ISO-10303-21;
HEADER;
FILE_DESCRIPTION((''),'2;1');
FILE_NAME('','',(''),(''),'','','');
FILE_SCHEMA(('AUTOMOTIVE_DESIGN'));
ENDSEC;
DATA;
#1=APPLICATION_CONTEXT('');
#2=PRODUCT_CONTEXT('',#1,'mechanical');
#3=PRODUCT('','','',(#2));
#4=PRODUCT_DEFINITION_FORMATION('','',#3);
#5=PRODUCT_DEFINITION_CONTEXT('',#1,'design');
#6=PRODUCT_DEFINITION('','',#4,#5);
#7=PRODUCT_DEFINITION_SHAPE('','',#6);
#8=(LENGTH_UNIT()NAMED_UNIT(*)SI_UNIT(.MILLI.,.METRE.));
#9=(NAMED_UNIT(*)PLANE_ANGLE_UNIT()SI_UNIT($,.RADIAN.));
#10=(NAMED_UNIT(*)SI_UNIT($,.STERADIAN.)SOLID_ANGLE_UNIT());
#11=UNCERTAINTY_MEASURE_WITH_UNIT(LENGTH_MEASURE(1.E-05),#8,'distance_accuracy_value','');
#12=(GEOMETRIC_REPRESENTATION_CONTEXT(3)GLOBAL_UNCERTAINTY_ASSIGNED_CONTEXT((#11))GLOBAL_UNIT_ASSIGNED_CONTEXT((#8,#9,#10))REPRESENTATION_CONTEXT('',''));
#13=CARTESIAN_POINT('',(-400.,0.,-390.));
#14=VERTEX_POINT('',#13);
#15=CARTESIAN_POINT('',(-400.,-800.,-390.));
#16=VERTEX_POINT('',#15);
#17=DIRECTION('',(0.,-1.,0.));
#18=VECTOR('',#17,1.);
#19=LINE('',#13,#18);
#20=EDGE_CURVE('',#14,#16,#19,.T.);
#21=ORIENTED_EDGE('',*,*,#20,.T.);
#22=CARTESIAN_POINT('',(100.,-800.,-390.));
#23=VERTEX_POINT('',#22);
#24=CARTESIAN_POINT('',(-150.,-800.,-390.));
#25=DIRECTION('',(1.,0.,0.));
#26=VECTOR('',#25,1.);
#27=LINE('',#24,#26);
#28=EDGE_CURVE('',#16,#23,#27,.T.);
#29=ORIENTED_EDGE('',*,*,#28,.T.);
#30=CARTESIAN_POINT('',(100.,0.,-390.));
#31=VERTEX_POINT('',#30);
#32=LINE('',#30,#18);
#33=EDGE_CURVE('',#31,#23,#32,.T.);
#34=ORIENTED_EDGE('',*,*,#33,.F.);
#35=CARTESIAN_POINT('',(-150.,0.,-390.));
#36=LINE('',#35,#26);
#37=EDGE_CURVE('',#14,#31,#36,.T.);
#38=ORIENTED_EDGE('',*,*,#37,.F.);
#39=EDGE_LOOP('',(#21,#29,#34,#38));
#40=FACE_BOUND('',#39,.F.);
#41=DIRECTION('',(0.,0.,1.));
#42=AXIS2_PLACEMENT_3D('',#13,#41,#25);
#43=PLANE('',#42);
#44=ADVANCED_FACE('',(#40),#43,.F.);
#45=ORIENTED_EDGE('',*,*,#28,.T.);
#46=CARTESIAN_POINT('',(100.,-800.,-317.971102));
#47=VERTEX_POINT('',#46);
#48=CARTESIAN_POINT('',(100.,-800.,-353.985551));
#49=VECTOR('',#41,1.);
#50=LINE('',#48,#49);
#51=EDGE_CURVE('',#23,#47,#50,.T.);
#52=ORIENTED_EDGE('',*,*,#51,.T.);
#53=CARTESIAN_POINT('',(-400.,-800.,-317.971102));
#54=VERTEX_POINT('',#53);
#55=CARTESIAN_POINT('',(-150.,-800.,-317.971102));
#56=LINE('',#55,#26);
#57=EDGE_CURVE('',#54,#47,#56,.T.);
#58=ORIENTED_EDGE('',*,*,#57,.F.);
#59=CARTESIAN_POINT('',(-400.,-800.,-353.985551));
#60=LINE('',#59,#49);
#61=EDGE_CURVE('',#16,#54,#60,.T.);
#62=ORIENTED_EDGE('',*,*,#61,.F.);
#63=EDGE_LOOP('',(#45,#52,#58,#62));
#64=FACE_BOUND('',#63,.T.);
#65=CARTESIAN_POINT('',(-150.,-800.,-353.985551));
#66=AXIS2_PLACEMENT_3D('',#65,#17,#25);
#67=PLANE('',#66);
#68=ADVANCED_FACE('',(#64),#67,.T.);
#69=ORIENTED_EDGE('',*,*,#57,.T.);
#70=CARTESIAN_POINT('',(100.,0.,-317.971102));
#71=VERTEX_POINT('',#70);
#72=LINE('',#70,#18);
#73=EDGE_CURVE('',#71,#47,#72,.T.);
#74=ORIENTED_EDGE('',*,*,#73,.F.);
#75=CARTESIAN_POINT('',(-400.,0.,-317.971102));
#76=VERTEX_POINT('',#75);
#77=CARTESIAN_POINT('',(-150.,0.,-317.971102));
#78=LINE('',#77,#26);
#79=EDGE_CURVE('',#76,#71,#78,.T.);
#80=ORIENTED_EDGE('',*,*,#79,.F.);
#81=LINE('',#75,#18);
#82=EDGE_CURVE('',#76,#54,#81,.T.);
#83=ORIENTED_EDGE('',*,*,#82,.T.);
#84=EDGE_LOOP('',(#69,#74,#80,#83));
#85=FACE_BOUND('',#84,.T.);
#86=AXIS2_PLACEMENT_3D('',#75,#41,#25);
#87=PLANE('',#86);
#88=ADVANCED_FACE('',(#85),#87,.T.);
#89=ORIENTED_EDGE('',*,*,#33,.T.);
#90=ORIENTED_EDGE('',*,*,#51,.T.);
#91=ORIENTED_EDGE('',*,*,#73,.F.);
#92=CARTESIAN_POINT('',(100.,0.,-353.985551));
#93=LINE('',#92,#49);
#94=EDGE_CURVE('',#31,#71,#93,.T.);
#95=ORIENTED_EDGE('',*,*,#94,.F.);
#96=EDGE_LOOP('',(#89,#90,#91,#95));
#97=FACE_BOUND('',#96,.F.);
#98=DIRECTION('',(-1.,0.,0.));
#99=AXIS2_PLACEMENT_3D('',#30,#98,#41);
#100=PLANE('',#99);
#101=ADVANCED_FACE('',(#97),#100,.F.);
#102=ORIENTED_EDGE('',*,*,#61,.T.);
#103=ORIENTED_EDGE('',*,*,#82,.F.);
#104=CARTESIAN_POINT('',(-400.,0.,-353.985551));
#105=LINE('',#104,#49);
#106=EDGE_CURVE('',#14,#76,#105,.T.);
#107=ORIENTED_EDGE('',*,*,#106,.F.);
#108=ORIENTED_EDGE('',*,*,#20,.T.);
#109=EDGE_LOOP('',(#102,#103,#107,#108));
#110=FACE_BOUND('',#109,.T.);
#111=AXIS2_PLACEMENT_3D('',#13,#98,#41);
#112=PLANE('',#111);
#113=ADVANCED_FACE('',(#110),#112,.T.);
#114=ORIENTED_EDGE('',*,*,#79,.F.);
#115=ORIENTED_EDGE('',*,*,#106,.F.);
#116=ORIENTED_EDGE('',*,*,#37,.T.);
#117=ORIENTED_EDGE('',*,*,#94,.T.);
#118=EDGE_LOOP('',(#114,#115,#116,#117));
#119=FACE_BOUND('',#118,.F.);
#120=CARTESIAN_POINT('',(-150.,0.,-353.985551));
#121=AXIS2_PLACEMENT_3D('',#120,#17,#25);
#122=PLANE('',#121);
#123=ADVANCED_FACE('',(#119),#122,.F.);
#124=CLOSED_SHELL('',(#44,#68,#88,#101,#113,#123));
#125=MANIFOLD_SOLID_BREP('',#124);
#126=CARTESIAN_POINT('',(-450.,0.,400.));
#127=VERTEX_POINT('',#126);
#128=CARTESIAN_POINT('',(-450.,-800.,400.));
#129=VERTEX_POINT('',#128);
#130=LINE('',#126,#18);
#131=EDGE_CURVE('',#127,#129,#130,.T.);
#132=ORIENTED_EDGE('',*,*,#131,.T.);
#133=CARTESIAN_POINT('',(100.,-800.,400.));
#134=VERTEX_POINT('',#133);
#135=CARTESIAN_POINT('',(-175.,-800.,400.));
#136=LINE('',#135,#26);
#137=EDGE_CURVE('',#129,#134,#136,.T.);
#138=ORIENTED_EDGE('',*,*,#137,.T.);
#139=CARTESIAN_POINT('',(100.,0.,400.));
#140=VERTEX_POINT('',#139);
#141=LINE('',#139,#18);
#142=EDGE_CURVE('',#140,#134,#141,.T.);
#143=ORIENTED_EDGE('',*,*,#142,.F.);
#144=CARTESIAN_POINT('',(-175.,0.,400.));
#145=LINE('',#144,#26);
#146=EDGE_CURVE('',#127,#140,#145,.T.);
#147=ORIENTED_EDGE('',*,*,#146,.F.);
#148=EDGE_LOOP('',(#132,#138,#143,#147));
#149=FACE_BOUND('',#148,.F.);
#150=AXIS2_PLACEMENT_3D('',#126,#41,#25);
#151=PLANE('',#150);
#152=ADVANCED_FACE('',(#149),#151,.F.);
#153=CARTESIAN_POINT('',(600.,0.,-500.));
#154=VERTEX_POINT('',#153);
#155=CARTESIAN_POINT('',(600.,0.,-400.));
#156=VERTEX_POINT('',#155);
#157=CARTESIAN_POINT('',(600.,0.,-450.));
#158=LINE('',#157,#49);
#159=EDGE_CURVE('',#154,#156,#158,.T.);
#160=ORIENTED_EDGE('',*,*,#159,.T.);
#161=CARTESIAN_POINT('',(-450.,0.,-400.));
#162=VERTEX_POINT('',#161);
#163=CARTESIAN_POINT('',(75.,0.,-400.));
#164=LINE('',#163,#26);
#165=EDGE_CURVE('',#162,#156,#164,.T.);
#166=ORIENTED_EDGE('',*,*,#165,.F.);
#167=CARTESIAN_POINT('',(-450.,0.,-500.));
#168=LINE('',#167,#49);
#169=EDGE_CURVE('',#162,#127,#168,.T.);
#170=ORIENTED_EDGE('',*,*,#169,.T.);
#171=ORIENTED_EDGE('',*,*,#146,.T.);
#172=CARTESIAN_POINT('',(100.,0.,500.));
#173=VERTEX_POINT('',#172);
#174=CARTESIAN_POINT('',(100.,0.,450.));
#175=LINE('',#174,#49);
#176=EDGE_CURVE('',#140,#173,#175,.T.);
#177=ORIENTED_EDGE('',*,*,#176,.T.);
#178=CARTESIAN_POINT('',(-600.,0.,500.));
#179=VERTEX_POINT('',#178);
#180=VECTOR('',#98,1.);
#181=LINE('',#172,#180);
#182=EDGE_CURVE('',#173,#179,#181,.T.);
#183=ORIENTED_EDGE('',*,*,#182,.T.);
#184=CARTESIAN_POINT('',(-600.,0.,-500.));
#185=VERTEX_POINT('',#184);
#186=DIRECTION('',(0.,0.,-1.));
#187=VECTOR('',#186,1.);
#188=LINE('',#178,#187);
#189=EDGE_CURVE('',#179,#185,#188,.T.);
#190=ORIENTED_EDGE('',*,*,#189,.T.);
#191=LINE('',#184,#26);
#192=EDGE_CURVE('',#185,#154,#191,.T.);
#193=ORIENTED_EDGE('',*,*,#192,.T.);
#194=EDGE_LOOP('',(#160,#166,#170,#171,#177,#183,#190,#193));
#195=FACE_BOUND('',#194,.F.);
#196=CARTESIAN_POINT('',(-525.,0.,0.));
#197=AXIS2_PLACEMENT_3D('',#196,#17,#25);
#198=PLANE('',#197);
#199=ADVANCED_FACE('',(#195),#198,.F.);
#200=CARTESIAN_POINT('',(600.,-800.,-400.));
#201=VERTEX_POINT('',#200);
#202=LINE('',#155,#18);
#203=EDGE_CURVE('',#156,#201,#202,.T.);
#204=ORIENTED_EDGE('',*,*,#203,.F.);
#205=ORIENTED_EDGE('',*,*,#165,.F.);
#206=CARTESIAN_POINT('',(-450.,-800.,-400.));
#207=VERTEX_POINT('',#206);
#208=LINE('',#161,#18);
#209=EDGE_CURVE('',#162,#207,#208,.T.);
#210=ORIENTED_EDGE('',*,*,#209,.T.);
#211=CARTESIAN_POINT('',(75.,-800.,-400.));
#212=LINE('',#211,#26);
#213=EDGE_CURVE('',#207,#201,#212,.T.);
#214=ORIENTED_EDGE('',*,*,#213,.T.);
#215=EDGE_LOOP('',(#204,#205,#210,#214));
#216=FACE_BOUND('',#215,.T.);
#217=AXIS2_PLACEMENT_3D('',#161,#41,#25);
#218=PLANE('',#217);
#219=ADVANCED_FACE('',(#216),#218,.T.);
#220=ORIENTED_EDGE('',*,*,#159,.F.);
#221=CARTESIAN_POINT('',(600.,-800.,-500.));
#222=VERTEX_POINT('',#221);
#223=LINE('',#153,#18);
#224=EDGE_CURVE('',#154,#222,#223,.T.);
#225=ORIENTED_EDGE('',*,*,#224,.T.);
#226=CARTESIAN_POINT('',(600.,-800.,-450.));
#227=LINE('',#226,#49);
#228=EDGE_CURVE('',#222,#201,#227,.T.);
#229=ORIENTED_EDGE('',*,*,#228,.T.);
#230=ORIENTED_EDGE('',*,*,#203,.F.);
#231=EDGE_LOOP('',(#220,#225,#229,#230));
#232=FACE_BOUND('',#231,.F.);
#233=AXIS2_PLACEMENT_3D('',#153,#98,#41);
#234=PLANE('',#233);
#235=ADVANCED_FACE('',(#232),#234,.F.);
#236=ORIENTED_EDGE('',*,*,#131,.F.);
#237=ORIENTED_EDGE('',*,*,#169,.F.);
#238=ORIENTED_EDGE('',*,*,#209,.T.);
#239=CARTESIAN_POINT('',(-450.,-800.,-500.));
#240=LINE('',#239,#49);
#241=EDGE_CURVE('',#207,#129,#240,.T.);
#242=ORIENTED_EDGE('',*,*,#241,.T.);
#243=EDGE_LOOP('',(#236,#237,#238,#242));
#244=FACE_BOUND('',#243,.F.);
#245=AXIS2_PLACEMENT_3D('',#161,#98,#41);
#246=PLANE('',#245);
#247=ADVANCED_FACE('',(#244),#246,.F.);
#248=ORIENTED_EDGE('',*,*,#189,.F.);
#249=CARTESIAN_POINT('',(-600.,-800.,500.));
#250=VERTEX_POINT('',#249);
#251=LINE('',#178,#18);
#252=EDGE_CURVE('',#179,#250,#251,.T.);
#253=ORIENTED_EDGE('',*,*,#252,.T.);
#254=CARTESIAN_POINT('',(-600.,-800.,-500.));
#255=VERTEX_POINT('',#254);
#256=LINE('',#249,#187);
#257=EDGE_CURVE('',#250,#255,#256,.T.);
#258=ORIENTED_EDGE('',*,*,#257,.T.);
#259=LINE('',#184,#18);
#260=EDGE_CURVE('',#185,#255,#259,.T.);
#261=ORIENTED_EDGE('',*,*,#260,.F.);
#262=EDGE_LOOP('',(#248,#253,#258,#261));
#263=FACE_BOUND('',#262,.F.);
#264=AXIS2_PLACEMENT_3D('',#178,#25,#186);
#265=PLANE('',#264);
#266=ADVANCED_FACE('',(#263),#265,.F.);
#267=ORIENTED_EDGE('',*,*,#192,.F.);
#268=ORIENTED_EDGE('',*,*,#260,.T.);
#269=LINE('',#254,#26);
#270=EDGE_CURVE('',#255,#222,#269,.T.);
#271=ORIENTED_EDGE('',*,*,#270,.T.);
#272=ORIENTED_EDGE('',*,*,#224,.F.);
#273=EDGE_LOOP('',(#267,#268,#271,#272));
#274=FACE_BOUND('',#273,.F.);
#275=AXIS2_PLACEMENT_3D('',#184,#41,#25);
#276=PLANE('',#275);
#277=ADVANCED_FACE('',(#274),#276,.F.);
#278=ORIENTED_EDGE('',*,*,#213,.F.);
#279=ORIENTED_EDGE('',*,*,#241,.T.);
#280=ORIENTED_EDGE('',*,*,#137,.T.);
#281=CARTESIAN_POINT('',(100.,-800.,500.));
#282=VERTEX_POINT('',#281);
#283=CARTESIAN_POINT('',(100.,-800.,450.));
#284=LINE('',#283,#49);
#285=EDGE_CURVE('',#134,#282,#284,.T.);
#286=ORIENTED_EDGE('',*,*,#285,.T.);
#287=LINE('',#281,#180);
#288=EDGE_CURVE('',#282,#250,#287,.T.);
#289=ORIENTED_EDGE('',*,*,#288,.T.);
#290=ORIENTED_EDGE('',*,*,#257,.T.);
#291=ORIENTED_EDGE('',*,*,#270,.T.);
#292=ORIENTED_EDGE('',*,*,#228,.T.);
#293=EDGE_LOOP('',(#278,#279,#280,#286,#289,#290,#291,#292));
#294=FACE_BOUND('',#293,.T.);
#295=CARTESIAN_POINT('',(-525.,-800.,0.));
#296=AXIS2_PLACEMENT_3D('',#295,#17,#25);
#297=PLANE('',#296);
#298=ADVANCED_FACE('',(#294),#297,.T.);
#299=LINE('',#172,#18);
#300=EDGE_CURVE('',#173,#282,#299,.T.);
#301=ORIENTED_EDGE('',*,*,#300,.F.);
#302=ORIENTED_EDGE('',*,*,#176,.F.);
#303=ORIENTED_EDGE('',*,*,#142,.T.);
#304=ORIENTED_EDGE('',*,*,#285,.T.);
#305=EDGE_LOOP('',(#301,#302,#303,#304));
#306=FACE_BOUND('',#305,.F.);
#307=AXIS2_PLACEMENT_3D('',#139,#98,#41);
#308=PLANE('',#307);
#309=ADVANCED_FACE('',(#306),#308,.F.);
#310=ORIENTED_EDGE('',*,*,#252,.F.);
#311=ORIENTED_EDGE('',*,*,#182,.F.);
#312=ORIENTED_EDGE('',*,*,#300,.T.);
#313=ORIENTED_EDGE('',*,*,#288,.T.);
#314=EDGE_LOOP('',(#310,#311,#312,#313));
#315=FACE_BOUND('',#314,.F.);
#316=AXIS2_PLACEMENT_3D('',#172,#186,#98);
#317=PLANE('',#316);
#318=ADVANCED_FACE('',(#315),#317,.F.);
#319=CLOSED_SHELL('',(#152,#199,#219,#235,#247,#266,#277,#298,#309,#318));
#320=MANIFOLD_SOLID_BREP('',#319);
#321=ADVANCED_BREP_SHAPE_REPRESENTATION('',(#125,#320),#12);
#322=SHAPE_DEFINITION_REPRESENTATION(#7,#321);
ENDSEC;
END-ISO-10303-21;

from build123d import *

# Parameters (mm, degrees)
F0_W     = 550
F0_H     = 100
F0_W_2   = 1050
F0_W_3   = 500
F0_H_2   = 72.028898
F1_DEPTH = 800


with BuildPart() as f1:
    # F0 (on Front) → F1 (new body)
    with BuildSketch(Plane.XZ):
        Polygon((-450, 500), (-600, 500), (-600, -500), (-450, -500), (-450, -400), (-450, 400), align=None)
        with Locations((-175, 450)):
            Rectangle(F0_W, F0_H)
        with Locations((75, -450)):
            Rectangle(F0_W_2, F0_H)
        with Locations((-150, -353.985551)):
            Rectangle(F0_W_3, F0_H_2)
    extrude(amount=F1_DEPTH)


solid = f1.part
